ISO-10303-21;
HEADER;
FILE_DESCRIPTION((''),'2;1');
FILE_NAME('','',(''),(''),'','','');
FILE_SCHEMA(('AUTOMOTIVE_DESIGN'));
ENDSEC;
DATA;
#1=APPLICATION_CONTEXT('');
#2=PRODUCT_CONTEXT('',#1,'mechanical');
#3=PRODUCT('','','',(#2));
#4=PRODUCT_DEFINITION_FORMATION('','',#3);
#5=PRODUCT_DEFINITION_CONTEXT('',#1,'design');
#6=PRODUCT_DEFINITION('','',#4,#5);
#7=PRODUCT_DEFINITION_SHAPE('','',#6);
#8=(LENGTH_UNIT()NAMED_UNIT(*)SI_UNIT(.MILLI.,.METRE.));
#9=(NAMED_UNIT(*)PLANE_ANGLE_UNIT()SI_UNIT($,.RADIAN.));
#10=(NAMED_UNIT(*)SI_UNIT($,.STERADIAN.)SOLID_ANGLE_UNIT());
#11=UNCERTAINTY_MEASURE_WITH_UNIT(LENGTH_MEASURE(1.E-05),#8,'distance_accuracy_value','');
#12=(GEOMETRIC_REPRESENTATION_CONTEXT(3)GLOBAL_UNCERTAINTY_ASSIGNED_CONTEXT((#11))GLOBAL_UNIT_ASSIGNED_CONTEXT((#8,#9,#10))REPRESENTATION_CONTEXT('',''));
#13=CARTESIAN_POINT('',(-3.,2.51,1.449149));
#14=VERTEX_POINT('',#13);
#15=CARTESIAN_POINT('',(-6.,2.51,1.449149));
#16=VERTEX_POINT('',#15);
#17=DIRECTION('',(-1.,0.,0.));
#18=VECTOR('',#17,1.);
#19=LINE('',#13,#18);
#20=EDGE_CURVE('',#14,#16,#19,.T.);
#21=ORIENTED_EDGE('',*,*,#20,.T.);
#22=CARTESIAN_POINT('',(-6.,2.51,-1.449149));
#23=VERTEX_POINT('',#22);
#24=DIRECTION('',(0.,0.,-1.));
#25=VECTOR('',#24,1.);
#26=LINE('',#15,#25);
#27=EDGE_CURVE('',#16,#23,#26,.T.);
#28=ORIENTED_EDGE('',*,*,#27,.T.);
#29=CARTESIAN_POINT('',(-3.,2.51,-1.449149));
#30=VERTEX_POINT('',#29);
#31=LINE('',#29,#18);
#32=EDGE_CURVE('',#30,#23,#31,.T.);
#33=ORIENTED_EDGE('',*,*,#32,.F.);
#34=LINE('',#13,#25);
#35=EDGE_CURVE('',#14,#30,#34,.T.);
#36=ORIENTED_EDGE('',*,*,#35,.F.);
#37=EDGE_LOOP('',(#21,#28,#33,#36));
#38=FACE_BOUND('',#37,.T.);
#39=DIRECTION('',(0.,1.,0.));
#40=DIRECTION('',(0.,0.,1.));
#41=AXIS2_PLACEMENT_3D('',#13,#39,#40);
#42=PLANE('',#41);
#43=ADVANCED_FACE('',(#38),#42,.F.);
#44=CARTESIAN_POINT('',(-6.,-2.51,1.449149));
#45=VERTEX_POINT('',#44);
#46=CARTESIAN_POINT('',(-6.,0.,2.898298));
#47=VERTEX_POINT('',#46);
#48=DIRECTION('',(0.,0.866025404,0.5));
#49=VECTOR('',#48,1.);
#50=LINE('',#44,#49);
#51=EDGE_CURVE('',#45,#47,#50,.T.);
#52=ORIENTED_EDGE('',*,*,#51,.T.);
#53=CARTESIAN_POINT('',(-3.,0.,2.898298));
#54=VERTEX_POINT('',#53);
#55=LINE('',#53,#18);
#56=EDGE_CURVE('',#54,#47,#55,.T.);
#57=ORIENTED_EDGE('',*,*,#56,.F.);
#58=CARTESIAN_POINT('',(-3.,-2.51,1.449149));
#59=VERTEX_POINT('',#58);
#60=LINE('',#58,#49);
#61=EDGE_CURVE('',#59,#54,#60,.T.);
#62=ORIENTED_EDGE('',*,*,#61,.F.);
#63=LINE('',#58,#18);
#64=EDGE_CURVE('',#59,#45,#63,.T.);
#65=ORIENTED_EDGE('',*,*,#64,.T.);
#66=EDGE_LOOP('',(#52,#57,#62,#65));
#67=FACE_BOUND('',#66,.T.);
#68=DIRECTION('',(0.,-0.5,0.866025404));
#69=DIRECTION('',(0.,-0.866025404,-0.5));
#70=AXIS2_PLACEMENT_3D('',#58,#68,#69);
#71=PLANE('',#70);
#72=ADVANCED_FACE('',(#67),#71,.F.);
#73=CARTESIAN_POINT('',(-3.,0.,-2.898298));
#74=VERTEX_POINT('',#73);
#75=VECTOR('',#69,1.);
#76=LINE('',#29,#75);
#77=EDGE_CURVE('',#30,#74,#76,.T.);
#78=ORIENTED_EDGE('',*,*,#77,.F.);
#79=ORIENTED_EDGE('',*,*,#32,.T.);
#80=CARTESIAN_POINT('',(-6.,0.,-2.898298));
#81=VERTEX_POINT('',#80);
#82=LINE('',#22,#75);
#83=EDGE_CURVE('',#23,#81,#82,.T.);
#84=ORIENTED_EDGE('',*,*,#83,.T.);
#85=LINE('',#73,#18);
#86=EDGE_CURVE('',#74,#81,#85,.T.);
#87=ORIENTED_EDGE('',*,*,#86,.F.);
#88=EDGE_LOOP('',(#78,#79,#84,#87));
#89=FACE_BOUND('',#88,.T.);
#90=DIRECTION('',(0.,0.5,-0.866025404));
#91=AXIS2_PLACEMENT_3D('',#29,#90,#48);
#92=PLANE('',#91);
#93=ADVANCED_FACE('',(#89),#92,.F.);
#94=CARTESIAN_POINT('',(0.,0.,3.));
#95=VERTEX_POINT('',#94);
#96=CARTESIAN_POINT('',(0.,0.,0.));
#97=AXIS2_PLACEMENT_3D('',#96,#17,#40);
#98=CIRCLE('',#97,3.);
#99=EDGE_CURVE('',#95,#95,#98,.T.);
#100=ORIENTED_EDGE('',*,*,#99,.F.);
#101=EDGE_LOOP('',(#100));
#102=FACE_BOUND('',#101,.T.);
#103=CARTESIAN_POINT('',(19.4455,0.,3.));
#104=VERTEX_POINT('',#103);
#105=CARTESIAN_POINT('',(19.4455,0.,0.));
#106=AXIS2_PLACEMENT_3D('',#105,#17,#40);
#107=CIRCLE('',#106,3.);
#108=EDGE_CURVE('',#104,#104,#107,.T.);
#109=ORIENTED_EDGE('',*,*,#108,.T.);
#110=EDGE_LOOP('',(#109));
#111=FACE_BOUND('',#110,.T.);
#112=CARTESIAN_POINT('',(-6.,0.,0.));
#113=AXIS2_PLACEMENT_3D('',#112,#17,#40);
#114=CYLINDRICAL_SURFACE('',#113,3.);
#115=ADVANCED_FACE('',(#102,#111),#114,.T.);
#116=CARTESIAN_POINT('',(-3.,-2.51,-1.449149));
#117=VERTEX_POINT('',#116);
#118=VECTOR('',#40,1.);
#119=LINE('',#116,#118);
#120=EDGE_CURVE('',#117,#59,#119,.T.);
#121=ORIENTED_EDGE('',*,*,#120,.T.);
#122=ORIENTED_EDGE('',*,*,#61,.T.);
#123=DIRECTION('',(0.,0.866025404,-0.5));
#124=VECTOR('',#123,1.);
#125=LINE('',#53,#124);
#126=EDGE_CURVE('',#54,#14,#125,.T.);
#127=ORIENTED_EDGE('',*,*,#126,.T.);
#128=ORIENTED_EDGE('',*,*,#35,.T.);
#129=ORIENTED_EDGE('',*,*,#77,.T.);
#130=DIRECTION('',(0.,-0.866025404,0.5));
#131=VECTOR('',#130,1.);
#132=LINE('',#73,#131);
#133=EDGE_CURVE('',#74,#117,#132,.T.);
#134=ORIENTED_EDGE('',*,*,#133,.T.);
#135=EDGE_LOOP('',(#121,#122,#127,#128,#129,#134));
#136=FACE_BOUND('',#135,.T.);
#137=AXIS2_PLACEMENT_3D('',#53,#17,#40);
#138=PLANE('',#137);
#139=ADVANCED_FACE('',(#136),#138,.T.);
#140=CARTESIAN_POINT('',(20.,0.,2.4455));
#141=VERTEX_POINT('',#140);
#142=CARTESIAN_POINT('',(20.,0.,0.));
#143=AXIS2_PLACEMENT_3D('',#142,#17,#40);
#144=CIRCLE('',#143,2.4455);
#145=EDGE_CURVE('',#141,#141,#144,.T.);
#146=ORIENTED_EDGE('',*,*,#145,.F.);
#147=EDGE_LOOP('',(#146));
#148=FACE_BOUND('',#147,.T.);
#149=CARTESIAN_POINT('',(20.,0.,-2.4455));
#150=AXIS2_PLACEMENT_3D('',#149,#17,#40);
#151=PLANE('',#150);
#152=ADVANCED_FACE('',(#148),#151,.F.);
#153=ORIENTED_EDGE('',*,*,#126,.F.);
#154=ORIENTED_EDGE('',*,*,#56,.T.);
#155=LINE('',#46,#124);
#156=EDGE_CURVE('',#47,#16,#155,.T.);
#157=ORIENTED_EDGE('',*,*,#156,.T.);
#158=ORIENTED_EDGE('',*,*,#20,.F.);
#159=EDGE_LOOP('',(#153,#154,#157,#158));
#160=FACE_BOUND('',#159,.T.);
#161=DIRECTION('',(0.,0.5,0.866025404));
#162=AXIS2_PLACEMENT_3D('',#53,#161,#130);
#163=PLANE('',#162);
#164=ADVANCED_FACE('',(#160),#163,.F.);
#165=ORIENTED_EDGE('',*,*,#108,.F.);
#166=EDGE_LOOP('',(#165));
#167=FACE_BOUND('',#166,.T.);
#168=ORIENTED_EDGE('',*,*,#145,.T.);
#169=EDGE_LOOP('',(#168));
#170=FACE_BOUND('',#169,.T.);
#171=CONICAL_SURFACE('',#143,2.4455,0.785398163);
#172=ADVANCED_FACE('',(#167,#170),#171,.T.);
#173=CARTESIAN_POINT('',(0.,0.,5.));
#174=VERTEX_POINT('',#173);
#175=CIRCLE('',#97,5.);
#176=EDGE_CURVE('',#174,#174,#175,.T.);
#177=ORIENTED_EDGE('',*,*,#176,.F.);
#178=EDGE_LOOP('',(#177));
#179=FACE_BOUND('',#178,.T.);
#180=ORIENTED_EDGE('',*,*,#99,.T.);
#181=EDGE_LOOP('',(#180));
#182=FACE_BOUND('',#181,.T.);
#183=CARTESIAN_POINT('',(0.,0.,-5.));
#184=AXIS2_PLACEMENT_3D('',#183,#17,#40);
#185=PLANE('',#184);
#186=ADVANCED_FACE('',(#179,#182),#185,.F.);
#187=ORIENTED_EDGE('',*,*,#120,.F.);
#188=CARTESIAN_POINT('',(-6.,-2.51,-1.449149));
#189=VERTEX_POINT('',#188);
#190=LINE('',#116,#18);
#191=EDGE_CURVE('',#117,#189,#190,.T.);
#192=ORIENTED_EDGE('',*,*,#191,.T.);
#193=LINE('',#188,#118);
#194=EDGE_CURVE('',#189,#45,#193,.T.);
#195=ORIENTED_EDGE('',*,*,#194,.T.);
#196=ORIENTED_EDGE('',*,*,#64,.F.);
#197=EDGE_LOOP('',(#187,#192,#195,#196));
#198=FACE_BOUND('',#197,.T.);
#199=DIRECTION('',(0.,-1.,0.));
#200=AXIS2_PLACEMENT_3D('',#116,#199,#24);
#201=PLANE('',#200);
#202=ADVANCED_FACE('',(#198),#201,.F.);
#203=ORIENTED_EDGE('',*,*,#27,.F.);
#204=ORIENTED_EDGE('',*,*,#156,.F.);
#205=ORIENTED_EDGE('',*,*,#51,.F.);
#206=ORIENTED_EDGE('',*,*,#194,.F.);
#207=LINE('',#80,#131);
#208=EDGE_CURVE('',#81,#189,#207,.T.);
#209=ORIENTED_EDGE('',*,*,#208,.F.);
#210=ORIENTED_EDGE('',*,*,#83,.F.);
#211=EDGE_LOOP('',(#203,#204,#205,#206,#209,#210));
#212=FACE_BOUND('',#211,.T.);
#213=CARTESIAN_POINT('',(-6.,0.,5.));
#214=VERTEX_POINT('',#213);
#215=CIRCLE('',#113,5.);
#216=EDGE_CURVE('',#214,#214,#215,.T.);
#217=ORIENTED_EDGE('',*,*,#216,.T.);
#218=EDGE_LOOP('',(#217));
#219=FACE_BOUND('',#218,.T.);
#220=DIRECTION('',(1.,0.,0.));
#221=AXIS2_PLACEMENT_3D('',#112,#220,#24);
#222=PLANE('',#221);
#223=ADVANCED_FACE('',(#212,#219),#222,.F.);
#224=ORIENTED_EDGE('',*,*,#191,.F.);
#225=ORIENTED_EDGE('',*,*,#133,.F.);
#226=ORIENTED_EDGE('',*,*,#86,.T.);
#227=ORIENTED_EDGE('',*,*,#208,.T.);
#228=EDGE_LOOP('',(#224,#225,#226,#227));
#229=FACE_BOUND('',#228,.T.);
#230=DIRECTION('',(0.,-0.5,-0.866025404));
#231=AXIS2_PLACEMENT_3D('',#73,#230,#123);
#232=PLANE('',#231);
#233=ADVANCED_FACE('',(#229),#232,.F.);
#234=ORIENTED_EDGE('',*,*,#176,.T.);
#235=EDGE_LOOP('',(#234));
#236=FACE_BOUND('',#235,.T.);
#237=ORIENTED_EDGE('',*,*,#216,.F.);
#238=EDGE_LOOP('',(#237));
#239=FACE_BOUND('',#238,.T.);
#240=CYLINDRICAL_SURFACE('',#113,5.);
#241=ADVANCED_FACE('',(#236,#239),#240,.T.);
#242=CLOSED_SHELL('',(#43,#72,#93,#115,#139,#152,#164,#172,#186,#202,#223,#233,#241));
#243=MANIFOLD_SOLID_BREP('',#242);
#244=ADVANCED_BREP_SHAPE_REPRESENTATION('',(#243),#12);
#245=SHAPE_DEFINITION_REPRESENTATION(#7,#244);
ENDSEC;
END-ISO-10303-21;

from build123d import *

# Parameters (mm, degrees)
HEXDRIVE_DEPTH = 3


with BuildPart() as part:
    # BodySketch → Base-Revolve (revolve)
    with BuildSketch(Plane(origin=(0, 0, 0), x_dir=(1, 0, 0), z_dir=(0, 1, 0)), mode=Mode.PRIVATE) as base_revolve_sk:
        Polygon((-6, 0), (-6, 5), (0, 5), (0, 3), (19.4455, 3), (20, 2.4455), (20, 0), align=None)
    revolve(base_revolve_sk.sketch.rotate(Axis((-6, 0, 0), (1, 0, 0)), 180), axis=Axis((-6, 0, 0), (1, 0, 0)))

    # DriveSketch → HexDrive (cut)
    with BuildSketch(Plane.ZY.offset(6)):
        Polygon((2.898298351, 0), (1.449149176, 2.51), (-1.449149176, 2.51), (-2.898298351, 0), (-1.449149176, -2.51), (1.449149176, -2.51), align=None)
    extrude(amount=-HEXDRIVE_DEPTH, mode=Mode.SUBTRACT)


solid = part.part
